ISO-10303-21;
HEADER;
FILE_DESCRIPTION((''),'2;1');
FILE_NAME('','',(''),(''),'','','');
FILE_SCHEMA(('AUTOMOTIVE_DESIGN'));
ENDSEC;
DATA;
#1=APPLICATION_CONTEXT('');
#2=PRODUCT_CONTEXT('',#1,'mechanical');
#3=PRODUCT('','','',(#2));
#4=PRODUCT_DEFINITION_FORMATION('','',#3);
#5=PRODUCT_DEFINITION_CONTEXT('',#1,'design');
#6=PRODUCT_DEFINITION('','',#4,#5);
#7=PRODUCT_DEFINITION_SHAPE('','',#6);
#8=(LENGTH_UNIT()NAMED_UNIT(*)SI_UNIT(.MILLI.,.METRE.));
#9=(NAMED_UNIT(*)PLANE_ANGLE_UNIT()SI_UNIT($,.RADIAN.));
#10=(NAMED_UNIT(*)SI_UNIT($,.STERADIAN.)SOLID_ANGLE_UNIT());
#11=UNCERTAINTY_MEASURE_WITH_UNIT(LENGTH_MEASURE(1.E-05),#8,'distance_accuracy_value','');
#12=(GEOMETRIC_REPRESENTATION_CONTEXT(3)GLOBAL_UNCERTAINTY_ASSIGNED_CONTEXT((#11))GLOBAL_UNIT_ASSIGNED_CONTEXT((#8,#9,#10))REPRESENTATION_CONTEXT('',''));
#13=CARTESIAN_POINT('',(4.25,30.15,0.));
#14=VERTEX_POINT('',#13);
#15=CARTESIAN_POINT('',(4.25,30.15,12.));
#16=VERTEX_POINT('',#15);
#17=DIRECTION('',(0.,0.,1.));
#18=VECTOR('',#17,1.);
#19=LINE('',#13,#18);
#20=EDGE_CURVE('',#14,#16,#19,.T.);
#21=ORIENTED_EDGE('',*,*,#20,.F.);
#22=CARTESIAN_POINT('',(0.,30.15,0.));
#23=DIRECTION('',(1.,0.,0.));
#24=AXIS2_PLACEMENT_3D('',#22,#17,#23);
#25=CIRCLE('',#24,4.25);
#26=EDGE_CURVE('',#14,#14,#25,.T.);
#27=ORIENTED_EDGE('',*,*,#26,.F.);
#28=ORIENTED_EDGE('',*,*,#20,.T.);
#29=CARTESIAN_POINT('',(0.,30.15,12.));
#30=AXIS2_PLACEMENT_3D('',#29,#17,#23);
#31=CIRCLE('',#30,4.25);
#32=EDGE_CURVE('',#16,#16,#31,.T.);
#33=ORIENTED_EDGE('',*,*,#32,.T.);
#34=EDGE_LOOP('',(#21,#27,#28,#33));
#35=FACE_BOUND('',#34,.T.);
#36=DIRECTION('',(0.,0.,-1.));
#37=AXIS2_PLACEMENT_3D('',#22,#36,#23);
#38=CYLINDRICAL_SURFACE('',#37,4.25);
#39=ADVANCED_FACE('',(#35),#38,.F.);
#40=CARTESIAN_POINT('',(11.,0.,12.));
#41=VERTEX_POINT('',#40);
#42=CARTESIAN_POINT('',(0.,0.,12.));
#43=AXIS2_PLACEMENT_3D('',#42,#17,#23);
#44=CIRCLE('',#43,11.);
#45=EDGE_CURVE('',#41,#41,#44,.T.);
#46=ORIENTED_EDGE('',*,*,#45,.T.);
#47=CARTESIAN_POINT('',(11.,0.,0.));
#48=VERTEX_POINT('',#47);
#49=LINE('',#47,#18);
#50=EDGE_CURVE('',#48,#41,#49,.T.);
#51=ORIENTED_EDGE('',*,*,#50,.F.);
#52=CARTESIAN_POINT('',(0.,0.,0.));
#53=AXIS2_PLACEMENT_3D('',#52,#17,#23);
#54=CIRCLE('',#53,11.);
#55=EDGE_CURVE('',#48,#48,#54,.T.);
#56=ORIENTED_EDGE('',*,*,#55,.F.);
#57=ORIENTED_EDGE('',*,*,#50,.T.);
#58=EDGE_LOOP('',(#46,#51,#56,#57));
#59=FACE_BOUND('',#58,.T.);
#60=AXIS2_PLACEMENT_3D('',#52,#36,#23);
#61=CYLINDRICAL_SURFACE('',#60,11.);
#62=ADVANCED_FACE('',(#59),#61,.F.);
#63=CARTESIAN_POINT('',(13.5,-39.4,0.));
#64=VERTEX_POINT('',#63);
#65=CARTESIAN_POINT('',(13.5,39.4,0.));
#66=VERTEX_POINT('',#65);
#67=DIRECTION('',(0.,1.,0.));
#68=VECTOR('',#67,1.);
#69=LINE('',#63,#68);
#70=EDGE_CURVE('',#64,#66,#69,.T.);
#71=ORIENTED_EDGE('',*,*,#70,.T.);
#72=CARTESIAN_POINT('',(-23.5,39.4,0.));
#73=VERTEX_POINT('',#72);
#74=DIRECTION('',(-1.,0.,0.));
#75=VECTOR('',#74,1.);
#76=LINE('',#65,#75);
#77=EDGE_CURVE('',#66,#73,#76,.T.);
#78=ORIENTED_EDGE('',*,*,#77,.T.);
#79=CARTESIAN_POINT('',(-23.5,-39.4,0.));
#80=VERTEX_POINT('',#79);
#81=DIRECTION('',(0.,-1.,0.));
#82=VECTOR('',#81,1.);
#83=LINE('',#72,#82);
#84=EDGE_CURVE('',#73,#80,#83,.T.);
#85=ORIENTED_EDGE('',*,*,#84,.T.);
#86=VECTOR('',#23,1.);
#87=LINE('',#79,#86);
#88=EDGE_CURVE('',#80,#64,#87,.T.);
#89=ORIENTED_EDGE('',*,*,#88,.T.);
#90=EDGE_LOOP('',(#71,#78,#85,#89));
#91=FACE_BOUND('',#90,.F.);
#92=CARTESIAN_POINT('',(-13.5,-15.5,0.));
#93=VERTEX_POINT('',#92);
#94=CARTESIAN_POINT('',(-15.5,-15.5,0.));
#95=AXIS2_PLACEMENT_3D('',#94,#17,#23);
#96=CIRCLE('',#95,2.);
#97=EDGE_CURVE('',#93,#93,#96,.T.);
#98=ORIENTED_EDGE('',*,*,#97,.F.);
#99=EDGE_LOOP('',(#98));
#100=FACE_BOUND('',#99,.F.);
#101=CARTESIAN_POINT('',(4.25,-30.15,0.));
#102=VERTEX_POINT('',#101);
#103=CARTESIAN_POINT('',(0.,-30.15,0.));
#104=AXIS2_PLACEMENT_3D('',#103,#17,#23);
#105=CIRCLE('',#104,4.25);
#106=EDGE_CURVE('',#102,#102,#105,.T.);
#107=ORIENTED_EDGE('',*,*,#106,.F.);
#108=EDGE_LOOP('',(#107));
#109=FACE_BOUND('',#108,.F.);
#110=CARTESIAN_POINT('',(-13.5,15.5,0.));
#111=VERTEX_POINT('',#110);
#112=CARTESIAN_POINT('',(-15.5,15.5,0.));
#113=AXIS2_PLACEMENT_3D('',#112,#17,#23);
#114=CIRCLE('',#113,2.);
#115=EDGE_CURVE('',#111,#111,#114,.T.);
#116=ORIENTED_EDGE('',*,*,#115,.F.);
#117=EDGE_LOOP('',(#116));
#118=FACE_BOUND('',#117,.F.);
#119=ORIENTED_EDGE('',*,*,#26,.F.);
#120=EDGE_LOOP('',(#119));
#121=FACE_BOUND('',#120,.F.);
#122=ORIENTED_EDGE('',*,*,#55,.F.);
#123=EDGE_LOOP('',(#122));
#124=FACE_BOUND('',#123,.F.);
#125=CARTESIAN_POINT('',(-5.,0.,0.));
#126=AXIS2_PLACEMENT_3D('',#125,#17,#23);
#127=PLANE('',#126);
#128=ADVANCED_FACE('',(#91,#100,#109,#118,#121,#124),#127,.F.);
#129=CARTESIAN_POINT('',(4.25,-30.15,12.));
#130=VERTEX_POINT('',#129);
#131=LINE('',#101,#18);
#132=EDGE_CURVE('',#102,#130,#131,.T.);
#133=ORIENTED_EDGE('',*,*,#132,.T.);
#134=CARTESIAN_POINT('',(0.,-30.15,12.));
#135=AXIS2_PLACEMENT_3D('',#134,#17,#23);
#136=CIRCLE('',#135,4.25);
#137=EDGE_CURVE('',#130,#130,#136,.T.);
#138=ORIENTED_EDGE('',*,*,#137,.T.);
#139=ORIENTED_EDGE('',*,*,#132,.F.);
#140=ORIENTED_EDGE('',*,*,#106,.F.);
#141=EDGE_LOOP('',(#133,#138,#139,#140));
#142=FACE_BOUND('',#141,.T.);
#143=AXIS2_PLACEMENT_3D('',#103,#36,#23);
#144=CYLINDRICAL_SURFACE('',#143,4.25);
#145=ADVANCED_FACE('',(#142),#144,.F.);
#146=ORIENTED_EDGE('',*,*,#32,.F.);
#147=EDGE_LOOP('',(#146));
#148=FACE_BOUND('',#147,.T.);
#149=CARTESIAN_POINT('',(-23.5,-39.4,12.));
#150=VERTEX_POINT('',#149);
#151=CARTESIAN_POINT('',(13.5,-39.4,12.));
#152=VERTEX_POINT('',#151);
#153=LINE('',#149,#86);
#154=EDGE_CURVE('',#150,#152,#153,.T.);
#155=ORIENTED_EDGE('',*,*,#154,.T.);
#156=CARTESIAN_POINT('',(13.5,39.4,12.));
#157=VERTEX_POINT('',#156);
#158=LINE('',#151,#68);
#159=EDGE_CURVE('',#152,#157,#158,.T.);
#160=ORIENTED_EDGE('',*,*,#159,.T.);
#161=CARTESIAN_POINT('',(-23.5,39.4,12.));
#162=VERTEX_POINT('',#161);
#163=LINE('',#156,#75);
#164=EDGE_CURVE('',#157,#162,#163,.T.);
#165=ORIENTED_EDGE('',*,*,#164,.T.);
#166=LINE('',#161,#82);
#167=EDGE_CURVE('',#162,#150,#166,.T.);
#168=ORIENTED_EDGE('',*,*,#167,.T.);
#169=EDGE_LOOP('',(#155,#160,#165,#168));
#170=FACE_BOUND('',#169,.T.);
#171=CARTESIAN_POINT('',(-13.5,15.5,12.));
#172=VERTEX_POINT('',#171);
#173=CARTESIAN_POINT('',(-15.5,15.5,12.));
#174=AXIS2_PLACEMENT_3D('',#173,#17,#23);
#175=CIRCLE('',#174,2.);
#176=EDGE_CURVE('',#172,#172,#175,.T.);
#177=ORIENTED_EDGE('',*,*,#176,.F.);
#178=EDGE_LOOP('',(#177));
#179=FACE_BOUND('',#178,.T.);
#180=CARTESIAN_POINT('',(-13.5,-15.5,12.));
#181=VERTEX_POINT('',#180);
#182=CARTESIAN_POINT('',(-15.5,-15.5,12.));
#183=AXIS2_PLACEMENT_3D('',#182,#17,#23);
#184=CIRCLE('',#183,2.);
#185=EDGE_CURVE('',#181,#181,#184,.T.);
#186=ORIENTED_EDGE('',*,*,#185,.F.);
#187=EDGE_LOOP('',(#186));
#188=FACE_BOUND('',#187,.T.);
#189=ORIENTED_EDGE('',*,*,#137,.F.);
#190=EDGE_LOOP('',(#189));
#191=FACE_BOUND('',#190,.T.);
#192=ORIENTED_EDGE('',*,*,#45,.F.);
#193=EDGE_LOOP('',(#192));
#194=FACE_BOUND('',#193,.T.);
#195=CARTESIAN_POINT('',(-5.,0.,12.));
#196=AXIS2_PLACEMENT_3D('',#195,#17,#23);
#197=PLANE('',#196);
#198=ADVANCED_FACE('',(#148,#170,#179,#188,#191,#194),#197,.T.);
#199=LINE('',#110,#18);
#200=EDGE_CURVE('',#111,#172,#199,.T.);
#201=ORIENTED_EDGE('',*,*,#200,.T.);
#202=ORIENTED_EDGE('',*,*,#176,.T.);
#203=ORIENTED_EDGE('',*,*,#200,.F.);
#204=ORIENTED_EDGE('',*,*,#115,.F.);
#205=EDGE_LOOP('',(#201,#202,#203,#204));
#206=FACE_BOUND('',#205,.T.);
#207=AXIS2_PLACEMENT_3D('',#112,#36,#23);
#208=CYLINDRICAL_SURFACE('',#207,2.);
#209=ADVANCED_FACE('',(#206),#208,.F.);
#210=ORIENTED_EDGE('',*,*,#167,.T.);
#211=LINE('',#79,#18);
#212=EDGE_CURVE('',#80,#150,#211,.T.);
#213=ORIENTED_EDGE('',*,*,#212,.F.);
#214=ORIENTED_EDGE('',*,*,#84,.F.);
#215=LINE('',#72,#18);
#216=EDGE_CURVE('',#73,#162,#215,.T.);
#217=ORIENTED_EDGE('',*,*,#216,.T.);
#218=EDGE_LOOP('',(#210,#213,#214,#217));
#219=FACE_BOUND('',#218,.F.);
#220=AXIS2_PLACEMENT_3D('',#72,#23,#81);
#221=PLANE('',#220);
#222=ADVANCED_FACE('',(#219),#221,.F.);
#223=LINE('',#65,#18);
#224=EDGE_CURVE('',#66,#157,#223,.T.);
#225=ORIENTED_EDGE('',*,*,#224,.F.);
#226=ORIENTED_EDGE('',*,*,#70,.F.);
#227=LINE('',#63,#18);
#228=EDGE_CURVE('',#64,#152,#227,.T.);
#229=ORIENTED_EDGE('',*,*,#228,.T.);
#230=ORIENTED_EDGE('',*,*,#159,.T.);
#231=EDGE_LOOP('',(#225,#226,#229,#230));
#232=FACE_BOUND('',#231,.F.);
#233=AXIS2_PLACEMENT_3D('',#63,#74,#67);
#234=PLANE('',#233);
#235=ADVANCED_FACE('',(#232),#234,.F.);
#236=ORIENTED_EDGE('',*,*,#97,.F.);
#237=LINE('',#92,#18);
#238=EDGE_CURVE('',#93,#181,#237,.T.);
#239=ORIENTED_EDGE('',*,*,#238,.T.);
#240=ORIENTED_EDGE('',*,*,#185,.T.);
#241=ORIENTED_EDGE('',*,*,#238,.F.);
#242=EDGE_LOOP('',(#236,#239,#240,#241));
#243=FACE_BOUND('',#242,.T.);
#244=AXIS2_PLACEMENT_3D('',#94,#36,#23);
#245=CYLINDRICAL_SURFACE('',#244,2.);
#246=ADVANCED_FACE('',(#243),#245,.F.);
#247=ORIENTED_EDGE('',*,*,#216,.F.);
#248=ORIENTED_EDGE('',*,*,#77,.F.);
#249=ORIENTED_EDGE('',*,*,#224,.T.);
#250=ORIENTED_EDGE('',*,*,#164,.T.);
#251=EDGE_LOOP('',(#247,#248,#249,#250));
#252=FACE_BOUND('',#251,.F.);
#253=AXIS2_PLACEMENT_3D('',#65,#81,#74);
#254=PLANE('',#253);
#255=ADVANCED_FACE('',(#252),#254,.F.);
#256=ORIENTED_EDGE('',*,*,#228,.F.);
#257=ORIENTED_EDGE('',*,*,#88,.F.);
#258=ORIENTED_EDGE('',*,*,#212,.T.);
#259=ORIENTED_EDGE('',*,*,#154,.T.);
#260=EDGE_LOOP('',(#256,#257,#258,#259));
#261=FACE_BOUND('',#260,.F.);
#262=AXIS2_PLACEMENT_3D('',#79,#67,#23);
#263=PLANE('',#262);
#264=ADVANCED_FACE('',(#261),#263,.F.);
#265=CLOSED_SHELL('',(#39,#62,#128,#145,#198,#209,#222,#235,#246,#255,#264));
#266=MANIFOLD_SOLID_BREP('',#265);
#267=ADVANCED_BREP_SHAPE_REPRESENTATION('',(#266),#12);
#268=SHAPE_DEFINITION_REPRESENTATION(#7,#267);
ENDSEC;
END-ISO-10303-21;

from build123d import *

# Parameters (mm, degrees)
F0_R     = 2
F0_R_2   = 4.25
F0_R_3   = 11
F1_DEPTH = 12


with BuildPart() as f1:
    # F0 (on Top) → F1 (new body)
    with BuildSketch(Plane.XY):
        Polygon((13.5, -39.4), (13.5, -15.5), (13.5, 15.5), (13.5, 39.4), (-23.5, 39.4), (-23.5, 19.5), (-23.5, -19.5), (-23.5, -39.4), align=None)
        with Locations((-15.5, -15.5)):
            Circle(F0_R, mode=Mode.SUBTRACT)
        with Locations((0, -30.15)):
            Circle(F0_R_2, mode=Mode.SUBTRACT)
        with Locations((-15.5, 15.5)):
            Circle(F0_R, mode=Mode.SUBTRACT)
        Circle(F0_R_3, mode=Mode.SUBTRACT)
        with Locations((0, 30.15)):
            Circle(F0_R_2, mode=Mode.SUBTRACT)
    extrude(amount=F1_DEPTH)


solid = f1.part
